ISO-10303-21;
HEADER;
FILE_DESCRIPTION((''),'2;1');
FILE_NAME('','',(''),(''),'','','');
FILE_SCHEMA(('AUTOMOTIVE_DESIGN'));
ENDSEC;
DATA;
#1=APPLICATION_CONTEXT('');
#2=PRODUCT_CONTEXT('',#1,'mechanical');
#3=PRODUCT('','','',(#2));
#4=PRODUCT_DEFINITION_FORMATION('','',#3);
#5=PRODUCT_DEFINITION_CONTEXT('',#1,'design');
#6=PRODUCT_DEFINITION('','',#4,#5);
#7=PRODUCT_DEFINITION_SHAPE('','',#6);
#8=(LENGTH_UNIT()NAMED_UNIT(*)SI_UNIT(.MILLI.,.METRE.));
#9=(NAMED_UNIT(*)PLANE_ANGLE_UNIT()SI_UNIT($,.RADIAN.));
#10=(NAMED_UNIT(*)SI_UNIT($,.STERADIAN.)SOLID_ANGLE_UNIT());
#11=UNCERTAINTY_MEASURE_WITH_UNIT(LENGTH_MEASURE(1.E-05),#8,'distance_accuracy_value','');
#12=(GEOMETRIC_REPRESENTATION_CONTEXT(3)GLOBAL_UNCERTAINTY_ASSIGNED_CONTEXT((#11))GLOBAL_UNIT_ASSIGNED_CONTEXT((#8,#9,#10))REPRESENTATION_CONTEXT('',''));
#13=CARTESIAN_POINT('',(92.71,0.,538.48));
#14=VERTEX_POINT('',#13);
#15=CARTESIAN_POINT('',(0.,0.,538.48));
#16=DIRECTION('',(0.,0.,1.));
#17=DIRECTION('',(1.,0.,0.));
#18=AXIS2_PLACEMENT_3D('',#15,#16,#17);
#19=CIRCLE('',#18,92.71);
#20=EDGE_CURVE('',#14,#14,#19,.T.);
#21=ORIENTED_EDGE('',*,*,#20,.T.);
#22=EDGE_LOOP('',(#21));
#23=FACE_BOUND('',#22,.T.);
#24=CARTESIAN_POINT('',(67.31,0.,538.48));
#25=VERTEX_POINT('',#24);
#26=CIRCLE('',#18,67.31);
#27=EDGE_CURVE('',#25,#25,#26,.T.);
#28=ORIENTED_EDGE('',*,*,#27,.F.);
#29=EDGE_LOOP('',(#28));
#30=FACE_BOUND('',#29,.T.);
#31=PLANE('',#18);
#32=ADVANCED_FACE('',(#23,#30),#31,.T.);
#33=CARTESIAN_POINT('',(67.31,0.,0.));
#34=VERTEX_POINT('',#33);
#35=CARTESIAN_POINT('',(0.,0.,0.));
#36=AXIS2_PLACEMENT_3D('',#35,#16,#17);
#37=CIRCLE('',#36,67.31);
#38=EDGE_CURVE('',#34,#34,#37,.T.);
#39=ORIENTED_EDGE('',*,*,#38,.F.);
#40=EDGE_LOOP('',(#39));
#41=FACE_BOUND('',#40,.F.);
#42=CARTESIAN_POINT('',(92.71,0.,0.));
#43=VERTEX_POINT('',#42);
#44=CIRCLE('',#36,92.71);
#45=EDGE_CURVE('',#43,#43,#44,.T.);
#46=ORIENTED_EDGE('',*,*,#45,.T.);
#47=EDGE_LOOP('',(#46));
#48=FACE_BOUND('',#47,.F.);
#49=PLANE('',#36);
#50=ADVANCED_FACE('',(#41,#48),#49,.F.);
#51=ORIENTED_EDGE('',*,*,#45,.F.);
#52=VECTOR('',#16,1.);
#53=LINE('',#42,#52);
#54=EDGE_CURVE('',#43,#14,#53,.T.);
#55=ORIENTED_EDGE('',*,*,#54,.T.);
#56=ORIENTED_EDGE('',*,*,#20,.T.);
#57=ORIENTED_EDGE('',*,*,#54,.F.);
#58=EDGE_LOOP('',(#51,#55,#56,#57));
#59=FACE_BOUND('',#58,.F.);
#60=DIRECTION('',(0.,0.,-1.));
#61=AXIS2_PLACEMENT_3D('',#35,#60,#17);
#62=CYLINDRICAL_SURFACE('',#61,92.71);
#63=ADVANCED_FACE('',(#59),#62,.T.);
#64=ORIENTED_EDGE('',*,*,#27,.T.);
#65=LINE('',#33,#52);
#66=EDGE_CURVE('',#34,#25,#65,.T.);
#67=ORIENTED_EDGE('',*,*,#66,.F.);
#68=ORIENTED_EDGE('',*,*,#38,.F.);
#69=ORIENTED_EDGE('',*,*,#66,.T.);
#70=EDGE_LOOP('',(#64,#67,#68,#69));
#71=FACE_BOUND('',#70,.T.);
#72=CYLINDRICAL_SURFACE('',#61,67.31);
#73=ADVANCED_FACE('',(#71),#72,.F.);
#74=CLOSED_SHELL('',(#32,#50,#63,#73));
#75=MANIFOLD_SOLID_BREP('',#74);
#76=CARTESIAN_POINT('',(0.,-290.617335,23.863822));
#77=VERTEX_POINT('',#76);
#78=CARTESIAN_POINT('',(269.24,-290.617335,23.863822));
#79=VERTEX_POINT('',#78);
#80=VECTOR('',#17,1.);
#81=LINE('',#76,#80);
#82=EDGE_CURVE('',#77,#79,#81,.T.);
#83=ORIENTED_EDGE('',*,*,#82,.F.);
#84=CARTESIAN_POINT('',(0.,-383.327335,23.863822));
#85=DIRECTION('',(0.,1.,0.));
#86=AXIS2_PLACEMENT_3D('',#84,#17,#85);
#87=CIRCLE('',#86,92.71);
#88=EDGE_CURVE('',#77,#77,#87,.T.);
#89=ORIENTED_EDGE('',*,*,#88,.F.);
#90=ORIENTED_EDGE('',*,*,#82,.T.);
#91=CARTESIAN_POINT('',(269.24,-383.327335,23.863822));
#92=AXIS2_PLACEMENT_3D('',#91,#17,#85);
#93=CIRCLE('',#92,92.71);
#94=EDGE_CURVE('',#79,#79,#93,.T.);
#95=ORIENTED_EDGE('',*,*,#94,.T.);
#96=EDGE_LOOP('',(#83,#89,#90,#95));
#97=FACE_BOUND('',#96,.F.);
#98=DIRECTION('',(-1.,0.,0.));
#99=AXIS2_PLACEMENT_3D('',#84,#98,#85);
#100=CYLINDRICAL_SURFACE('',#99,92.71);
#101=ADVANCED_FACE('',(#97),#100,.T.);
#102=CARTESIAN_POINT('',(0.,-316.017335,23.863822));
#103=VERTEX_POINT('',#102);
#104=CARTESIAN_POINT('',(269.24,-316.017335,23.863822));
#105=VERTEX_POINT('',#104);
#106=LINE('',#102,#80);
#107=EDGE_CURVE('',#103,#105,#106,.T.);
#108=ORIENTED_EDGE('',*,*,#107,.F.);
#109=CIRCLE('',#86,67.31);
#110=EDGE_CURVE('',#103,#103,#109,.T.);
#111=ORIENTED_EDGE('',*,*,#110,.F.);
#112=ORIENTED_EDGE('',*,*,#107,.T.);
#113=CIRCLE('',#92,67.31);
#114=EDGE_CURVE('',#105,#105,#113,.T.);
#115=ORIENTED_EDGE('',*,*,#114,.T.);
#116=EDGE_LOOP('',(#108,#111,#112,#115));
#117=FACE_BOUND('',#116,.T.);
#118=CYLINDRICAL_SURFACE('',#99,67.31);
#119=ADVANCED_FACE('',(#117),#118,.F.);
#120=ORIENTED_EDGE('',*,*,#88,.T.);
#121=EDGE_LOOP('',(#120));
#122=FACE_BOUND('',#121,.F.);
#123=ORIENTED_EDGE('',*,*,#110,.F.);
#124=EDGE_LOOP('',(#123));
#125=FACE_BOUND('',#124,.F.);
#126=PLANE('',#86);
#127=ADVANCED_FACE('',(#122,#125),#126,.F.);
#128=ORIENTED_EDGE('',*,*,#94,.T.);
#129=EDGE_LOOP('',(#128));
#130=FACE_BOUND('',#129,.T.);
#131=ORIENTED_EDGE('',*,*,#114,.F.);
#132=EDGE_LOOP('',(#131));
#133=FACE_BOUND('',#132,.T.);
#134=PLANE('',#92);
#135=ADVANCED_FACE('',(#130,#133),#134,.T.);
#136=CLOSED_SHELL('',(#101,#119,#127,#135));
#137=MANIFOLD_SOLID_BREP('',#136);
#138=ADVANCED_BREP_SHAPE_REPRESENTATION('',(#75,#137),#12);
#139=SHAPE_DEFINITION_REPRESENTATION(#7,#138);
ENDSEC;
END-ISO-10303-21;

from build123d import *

# Parameters (mm, degrees)
F0_R     = 92.71
F1_DEPTH = 538.48
F2_R     = 92.71
F3_DEPTH = 269.24
F4_T     = -25.4
F4_2_T   = -25.4


with BuildPart() as f1:
    # F0 (on Top) → F1 (new body)
    with BuildSketch(Plane.XY):
        Circle(F0_R)
    extrude(amount=F1_DEPTH)

    # F4
    f4_openings = [f1.faces().sort_by_distance(p)[0] for p in [
        (0, 0, 538.48),
        (0, 0, 0),
    ]]
    offset(amount=F4_T, openings=f4_openings)


with BuildPart() as f3:
    # F2 (on Right) → F3 (new body)
    with BuildSketch(Plane.YZ):
        with Locations((-383.327335, 23.863822)):
            Circle(F2_R)
    extrude(amount=F3_DEPTH)

    # F4#2
    f4_2_openings = [f3.faces().sort_by_distance(p)[0] for p in [
        (269.24, -383.327335, 23.863822),
        (0, -383.327335, 23.863822),
    ]]
    offset(amount=F4_2_T, openings=f4_2_openings)


solid = Compound([f1.part, f3.part])
